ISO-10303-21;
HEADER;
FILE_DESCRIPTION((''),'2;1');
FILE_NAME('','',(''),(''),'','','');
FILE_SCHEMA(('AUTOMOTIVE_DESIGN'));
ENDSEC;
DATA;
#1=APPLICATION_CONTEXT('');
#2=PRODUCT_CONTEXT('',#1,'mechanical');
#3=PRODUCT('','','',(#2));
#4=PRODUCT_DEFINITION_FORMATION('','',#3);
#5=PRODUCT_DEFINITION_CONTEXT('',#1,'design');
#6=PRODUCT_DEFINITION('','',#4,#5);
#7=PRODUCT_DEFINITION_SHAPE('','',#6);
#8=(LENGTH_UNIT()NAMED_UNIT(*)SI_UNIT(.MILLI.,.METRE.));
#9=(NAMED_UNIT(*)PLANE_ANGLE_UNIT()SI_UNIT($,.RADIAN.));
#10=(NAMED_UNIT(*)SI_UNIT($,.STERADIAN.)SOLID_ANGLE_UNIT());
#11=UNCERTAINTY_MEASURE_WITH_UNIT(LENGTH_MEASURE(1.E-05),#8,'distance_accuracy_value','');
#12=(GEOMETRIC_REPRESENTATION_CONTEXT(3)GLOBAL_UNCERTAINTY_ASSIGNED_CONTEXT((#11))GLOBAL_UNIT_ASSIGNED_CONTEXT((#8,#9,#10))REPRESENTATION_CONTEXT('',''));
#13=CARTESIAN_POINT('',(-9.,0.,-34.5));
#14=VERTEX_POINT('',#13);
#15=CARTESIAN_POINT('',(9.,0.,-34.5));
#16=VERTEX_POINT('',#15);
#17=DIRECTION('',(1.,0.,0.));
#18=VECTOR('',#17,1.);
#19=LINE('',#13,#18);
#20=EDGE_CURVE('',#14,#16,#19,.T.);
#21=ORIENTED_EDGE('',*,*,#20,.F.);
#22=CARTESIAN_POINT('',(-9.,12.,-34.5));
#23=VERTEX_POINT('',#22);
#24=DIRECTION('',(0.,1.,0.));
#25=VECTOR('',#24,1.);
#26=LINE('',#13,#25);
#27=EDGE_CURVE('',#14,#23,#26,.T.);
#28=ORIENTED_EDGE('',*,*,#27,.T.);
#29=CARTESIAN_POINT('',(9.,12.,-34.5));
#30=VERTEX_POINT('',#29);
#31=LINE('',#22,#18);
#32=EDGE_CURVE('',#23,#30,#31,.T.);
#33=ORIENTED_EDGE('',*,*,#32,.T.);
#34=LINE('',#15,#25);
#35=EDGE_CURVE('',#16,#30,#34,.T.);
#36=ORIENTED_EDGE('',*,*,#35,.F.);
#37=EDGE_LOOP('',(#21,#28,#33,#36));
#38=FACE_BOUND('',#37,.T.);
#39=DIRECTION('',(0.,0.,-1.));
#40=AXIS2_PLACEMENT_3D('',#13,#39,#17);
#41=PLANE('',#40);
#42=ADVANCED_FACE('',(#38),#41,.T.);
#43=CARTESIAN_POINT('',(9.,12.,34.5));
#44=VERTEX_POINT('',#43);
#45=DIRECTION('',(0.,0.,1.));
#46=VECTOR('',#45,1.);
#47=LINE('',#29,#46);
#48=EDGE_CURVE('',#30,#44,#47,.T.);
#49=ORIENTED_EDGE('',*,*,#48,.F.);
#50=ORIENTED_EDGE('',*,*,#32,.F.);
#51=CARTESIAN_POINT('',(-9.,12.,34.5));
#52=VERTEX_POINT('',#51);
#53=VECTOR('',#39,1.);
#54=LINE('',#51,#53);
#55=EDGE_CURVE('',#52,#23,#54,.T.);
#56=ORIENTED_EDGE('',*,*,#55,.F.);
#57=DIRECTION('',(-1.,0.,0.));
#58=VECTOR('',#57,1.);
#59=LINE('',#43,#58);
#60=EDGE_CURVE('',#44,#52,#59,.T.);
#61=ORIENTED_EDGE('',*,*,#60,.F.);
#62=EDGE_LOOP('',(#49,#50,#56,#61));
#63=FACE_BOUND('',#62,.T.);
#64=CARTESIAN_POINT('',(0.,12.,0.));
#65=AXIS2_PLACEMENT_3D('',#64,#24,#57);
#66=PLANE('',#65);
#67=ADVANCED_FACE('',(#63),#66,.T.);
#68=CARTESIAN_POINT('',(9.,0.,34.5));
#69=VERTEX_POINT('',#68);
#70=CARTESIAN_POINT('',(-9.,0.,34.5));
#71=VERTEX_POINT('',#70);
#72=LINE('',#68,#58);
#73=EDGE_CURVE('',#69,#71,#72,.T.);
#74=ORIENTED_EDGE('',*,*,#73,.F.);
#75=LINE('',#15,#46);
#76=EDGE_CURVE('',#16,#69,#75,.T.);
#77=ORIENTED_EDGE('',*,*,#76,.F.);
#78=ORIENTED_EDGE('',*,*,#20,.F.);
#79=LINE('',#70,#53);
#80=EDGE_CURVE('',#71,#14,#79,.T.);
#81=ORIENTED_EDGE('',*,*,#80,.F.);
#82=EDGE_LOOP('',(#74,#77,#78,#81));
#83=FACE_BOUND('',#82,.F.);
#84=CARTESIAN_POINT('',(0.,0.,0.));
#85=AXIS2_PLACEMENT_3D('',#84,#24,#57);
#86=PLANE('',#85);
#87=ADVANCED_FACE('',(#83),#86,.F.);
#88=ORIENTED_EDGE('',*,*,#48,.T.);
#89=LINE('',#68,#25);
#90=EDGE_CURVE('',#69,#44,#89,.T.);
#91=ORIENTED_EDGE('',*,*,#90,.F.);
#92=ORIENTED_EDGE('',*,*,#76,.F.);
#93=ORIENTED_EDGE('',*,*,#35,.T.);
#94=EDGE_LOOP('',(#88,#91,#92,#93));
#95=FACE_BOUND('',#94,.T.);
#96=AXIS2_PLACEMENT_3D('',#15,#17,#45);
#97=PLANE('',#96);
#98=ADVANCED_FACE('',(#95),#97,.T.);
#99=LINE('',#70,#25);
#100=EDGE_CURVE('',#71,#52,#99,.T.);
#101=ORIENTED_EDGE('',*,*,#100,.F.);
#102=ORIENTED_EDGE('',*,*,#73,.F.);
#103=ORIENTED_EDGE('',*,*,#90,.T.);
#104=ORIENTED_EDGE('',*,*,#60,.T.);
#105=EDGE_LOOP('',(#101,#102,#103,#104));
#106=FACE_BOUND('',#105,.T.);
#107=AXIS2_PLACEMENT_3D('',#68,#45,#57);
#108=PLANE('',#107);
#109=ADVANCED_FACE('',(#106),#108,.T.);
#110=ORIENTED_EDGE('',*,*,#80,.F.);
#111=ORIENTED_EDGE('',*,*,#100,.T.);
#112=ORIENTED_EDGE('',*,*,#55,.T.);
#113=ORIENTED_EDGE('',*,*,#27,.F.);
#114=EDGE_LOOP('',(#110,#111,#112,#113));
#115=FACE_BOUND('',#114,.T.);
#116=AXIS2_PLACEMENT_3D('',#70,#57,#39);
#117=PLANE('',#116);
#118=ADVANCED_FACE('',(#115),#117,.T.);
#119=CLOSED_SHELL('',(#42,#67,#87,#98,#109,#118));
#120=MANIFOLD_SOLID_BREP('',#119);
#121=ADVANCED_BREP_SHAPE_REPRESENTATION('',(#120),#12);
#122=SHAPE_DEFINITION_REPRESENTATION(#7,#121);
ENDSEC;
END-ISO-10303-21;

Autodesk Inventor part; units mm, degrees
ref_plane "YZ Plane" through (0, 0, 0) normal (1, 0, 0) x (0, 1, 0)
ref_plane "XZ Plane" through (0, 0, 0) normal (0, 1, 0) x (-1, 0, 0)
ref_plane "XY Plane" through (0, 0, 0) normal (0, 0, 1) x (1, 0, 0)
sketch "Sketch1" plane through (0, 0, 0) normal (0, 1, 0) x (-1, 0, 0)
  line L0 (-9, 34.5) -> (9, 34.5)
  line L1 (9, 34.5) -> (9, -34.5)
  line L2 (9, -34.5) -> (-9, -34.5)
  line L3 (-9, -34.5) -> (-9, 34.5)
  line L4 (-9, 34.5) -> (9, -34.5) construction
  line L5 (9, 34.5) -> (-9, -34.5) construction
  point P0 (0, 0)
  dimension "d0" = 69
  dimension "d1" = 18
extrude "Extrusion1" add sketch "Sketch1" along normal blind 12
properties part number "Batteryv2" material "PC/ABS Plastic"
